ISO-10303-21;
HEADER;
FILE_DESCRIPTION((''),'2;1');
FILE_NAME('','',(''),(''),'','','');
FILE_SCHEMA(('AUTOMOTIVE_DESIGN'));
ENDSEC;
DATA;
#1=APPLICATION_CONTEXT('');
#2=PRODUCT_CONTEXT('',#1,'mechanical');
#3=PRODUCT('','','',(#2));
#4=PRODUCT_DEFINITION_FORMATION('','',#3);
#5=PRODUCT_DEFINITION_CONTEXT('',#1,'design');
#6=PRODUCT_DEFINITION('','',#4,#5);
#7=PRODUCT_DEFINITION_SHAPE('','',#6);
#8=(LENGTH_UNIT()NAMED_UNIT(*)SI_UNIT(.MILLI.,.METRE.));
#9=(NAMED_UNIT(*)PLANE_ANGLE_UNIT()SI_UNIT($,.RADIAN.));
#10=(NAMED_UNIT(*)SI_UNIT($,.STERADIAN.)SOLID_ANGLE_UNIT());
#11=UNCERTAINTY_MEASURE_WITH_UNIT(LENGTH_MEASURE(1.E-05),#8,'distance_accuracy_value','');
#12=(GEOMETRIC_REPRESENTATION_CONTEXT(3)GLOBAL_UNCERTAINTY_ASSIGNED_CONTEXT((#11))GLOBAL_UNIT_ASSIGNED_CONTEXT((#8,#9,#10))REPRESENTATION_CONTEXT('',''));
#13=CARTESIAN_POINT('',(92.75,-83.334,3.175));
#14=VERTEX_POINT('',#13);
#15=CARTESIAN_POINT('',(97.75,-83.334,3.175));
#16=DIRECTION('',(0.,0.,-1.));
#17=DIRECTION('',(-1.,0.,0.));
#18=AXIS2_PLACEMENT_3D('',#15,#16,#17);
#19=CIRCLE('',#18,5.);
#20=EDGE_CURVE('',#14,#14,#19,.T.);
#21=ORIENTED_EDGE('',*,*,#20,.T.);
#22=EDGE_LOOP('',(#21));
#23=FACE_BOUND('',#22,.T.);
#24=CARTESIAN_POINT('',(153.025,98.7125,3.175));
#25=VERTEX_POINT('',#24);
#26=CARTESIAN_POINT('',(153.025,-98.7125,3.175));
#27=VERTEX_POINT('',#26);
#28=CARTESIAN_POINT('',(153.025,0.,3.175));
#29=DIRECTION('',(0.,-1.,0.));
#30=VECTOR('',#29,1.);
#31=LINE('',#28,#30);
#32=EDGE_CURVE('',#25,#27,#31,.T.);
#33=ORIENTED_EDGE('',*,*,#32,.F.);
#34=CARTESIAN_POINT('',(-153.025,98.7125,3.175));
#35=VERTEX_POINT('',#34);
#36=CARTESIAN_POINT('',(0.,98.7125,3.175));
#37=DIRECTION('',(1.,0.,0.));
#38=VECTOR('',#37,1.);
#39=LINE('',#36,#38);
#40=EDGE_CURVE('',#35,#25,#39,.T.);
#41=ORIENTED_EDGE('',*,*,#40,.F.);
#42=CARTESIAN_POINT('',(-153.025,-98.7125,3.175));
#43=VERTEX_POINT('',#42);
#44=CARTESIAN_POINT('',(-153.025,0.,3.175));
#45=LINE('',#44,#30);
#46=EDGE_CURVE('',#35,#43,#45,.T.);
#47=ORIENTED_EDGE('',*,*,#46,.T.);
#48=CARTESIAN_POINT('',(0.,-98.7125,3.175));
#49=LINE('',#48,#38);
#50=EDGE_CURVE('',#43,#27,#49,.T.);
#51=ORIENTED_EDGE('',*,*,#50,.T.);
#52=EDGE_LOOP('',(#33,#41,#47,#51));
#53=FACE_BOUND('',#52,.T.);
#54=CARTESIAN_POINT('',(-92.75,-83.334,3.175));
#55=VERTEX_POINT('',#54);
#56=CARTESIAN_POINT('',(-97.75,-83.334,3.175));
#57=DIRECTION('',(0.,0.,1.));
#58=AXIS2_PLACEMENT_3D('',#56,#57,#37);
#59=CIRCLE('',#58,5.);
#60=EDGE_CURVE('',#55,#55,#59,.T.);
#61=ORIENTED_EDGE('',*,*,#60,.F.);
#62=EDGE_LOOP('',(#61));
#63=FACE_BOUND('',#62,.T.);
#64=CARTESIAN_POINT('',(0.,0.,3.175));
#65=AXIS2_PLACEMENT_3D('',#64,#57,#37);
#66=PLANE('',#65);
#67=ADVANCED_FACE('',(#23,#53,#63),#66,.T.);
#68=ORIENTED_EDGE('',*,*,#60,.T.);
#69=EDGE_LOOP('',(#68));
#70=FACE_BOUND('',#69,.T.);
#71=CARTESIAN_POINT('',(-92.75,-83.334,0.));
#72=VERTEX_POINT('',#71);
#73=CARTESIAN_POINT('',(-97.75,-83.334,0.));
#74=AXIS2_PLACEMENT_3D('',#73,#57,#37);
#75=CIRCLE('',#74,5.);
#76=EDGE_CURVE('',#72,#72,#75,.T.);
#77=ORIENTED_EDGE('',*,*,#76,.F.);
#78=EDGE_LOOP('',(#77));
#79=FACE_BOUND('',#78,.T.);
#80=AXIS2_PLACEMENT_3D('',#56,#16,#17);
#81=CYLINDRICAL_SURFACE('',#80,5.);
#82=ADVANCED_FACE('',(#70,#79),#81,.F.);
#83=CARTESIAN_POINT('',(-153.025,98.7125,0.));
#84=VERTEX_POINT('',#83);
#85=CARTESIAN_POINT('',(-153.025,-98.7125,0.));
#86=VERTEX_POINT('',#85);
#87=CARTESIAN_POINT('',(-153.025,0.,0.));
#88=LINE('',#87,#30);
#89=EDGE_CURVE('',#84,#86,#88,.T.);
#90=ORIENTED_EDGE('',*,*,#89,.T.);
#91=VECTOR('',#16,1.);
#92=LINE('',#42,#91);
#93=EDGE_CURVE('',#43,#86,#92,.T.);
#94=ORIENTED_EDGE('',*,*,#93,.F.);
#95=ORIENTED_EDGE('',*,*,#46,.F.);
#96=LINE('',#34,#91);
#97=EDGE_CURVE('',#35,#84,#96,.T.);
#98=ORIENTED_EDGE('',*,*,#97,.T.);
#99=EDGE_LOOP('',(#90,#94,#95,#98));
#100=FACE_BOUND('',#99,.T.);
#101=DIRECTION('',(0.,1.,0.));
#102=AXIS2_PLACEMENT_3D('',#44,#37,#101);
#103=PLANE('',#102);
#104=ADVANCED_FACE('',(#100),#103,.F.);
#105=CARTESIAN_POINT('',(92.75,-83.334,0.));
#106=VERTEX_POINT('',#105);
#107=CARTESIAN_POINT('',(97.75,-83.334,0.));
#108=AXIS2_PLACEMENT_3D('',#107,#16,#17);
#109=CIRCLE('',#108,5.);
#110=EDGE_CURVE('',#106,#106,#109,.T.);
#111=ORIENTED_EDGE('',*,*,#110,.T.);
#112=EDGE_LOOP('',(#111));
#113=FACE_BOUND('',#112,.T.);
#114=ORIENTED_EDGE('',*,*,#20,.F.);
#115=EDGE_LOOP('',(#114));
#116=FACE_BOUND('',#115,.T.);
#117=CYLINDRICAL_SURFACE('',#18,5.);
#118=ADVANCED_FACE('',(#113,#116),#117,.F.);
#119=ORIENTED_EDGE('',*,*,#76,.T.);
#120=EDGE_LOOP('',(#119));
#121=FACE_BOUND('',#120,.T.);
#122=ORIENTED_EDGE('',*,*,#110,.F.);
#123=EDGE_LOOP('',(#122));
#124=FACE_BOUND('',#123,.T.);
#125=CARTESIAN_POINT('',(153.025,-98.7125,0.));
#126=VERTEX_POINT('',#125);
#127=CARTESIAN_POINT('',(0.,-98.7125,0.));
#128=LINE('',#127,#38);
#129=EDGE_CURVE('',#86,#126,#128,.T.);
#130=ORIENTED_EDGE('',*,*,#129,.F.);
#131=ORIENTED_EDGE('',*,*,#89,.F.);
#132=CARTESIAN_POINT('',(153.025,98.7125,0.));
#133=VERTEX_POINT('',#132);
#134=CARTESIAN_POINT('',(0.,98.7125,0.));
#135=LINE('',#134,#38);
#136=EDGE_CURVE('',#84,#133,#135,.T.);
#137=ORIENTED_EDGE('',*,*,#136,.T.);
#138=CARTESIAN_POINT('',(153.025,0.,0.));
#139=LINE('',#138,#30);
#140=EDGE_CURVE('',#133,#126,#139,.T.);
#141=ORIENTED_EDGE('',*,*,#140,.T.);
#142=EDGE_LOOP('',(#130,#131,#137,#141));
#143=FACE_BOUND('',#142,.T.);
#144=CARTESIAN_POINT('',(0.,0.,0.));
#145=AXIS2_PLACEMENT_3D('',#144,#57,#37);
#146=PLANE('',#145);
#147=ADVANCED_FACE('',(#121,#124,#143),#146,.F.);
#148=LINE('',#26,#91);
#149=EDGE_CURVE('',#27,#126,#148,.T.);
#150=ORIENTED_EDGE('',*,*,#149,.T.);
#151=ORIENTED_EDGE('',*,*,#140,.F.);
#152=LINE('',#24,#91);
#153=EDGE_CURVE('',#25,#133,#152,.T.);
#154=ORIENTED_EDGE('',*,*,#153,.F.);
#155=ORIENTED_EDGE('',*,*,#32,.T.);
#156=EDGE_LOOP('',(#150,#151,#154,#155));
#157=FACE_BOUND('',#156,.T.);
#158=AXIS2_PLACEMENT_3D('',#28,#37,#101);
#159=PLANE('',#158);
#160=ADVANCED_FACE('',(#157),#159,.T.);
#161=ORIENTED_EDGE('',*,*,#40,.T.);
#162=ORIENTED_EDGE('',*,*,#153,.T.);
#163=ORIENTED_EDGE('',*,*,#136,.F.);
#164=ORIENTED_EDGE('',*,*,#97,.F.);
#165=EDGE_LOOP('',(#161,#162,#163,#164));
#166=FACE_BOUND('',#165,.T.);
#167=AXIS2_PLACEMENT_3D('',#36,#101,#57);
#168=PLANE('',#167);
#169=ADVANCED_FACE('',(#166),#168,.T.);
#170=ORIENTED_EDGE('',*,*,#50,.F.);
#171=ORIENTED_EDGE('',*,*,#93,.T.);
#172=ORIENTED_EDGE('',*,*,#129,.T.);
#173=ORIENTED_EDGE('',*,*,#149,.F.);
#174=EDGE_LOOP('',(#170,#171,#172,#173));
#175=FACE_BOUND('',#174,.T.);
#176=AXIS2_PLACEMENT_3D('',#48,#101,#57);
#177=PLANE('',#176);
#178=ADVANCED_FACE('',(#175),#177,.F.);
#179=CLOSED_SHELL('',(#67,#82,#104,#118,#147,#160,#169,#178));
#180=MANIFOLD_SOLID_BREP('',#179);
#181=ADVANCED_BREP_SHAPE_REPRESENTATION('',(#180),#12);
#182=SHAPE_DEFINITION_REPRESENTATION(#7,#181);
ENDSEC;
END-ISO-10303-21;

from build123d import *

# Parameters (mm, degrees)
SKETCH1_W           = 306.05
SKETCH1_H           = 197.425
SKETCH1_R           = 10.775
BOSS_EXTRUDE1_DEPTH = 3.175
SKETCH2_R           = 5
CUT_EXTRUDE1_DEPTH  = 183.128770122


with BuildPart() as part:
    # Sketch1 → Boss-Extrude1 (new body)
    # profile 1 of 5: a face of its own
    with BuildSketch(Plane.XY):
        Rectangle(SKETCH1_W, SKETCH1_H)
        with Locations((-142.25, -87.9375)):
            Circle(SKETCH1_R, mode=Mode.SUBTRACT)
        with Locations((-130.25, -64.9375)):
            Circle(SKETCH1_R, mode=Mode.SUBTRACT)
    # profile 2 of 5: a face of its own
    with BuildSketch(Plane.XY):
        with Locations((-130.25, -64.9375)):
            Circle(SKETCH1_R)
    # profile 3 of 5: a face of its own
    with BuildSketch(Plane.XY):
        with Locations((-142.25, -87.9375)):
            Circle(SKETCH1_R)
    # profile 4 of 5: a face of its own
    with BuildSketch(Plane.XY):
        with BuildLine():
            ThreePointArc((-142.25, -98.7125), (-149.869075567, -95.556575567), (-153.025, -87.9375))
            Line((-153.025, -87.9375), (-153.025, -98.7125))
            Line((-153.025, -98.7125), (-142.25, -98.7125))
        make_face()
    # profile 5 of 5: a face of its own
    with BuildSketch(Plane.XY):
        Rectangle(SKETCH1_W, SKETCH1_H)
    extrude(amount=BOSS_EXTRUDE1_DEPTH)

    # Sketch2 → Cut-Extrude1 (cut, through all)
    with BuildSketch(Plane(origin=(0, 0, 0), x_dir=(-1, 0, 0), z_dir=(0, 0, -1))):
        with Locations((-97.75, -83.334)):
            Circle(SKETCH2_R)
    cut_extrude1 = extrude(amount=-CUT_EXTRUDE1_DEPTH, mode=Mode.SUBTRACT)

    # Mirror1: Cut-Extrude1 across plane
    add(cut_extrude1.mirror(Plane(origin=(0, 0, 0), x_dir=(0, 0, 1), z_dir=(1, 0, 0))), mode=Mode.SUBTRACT)


solid = part.part
